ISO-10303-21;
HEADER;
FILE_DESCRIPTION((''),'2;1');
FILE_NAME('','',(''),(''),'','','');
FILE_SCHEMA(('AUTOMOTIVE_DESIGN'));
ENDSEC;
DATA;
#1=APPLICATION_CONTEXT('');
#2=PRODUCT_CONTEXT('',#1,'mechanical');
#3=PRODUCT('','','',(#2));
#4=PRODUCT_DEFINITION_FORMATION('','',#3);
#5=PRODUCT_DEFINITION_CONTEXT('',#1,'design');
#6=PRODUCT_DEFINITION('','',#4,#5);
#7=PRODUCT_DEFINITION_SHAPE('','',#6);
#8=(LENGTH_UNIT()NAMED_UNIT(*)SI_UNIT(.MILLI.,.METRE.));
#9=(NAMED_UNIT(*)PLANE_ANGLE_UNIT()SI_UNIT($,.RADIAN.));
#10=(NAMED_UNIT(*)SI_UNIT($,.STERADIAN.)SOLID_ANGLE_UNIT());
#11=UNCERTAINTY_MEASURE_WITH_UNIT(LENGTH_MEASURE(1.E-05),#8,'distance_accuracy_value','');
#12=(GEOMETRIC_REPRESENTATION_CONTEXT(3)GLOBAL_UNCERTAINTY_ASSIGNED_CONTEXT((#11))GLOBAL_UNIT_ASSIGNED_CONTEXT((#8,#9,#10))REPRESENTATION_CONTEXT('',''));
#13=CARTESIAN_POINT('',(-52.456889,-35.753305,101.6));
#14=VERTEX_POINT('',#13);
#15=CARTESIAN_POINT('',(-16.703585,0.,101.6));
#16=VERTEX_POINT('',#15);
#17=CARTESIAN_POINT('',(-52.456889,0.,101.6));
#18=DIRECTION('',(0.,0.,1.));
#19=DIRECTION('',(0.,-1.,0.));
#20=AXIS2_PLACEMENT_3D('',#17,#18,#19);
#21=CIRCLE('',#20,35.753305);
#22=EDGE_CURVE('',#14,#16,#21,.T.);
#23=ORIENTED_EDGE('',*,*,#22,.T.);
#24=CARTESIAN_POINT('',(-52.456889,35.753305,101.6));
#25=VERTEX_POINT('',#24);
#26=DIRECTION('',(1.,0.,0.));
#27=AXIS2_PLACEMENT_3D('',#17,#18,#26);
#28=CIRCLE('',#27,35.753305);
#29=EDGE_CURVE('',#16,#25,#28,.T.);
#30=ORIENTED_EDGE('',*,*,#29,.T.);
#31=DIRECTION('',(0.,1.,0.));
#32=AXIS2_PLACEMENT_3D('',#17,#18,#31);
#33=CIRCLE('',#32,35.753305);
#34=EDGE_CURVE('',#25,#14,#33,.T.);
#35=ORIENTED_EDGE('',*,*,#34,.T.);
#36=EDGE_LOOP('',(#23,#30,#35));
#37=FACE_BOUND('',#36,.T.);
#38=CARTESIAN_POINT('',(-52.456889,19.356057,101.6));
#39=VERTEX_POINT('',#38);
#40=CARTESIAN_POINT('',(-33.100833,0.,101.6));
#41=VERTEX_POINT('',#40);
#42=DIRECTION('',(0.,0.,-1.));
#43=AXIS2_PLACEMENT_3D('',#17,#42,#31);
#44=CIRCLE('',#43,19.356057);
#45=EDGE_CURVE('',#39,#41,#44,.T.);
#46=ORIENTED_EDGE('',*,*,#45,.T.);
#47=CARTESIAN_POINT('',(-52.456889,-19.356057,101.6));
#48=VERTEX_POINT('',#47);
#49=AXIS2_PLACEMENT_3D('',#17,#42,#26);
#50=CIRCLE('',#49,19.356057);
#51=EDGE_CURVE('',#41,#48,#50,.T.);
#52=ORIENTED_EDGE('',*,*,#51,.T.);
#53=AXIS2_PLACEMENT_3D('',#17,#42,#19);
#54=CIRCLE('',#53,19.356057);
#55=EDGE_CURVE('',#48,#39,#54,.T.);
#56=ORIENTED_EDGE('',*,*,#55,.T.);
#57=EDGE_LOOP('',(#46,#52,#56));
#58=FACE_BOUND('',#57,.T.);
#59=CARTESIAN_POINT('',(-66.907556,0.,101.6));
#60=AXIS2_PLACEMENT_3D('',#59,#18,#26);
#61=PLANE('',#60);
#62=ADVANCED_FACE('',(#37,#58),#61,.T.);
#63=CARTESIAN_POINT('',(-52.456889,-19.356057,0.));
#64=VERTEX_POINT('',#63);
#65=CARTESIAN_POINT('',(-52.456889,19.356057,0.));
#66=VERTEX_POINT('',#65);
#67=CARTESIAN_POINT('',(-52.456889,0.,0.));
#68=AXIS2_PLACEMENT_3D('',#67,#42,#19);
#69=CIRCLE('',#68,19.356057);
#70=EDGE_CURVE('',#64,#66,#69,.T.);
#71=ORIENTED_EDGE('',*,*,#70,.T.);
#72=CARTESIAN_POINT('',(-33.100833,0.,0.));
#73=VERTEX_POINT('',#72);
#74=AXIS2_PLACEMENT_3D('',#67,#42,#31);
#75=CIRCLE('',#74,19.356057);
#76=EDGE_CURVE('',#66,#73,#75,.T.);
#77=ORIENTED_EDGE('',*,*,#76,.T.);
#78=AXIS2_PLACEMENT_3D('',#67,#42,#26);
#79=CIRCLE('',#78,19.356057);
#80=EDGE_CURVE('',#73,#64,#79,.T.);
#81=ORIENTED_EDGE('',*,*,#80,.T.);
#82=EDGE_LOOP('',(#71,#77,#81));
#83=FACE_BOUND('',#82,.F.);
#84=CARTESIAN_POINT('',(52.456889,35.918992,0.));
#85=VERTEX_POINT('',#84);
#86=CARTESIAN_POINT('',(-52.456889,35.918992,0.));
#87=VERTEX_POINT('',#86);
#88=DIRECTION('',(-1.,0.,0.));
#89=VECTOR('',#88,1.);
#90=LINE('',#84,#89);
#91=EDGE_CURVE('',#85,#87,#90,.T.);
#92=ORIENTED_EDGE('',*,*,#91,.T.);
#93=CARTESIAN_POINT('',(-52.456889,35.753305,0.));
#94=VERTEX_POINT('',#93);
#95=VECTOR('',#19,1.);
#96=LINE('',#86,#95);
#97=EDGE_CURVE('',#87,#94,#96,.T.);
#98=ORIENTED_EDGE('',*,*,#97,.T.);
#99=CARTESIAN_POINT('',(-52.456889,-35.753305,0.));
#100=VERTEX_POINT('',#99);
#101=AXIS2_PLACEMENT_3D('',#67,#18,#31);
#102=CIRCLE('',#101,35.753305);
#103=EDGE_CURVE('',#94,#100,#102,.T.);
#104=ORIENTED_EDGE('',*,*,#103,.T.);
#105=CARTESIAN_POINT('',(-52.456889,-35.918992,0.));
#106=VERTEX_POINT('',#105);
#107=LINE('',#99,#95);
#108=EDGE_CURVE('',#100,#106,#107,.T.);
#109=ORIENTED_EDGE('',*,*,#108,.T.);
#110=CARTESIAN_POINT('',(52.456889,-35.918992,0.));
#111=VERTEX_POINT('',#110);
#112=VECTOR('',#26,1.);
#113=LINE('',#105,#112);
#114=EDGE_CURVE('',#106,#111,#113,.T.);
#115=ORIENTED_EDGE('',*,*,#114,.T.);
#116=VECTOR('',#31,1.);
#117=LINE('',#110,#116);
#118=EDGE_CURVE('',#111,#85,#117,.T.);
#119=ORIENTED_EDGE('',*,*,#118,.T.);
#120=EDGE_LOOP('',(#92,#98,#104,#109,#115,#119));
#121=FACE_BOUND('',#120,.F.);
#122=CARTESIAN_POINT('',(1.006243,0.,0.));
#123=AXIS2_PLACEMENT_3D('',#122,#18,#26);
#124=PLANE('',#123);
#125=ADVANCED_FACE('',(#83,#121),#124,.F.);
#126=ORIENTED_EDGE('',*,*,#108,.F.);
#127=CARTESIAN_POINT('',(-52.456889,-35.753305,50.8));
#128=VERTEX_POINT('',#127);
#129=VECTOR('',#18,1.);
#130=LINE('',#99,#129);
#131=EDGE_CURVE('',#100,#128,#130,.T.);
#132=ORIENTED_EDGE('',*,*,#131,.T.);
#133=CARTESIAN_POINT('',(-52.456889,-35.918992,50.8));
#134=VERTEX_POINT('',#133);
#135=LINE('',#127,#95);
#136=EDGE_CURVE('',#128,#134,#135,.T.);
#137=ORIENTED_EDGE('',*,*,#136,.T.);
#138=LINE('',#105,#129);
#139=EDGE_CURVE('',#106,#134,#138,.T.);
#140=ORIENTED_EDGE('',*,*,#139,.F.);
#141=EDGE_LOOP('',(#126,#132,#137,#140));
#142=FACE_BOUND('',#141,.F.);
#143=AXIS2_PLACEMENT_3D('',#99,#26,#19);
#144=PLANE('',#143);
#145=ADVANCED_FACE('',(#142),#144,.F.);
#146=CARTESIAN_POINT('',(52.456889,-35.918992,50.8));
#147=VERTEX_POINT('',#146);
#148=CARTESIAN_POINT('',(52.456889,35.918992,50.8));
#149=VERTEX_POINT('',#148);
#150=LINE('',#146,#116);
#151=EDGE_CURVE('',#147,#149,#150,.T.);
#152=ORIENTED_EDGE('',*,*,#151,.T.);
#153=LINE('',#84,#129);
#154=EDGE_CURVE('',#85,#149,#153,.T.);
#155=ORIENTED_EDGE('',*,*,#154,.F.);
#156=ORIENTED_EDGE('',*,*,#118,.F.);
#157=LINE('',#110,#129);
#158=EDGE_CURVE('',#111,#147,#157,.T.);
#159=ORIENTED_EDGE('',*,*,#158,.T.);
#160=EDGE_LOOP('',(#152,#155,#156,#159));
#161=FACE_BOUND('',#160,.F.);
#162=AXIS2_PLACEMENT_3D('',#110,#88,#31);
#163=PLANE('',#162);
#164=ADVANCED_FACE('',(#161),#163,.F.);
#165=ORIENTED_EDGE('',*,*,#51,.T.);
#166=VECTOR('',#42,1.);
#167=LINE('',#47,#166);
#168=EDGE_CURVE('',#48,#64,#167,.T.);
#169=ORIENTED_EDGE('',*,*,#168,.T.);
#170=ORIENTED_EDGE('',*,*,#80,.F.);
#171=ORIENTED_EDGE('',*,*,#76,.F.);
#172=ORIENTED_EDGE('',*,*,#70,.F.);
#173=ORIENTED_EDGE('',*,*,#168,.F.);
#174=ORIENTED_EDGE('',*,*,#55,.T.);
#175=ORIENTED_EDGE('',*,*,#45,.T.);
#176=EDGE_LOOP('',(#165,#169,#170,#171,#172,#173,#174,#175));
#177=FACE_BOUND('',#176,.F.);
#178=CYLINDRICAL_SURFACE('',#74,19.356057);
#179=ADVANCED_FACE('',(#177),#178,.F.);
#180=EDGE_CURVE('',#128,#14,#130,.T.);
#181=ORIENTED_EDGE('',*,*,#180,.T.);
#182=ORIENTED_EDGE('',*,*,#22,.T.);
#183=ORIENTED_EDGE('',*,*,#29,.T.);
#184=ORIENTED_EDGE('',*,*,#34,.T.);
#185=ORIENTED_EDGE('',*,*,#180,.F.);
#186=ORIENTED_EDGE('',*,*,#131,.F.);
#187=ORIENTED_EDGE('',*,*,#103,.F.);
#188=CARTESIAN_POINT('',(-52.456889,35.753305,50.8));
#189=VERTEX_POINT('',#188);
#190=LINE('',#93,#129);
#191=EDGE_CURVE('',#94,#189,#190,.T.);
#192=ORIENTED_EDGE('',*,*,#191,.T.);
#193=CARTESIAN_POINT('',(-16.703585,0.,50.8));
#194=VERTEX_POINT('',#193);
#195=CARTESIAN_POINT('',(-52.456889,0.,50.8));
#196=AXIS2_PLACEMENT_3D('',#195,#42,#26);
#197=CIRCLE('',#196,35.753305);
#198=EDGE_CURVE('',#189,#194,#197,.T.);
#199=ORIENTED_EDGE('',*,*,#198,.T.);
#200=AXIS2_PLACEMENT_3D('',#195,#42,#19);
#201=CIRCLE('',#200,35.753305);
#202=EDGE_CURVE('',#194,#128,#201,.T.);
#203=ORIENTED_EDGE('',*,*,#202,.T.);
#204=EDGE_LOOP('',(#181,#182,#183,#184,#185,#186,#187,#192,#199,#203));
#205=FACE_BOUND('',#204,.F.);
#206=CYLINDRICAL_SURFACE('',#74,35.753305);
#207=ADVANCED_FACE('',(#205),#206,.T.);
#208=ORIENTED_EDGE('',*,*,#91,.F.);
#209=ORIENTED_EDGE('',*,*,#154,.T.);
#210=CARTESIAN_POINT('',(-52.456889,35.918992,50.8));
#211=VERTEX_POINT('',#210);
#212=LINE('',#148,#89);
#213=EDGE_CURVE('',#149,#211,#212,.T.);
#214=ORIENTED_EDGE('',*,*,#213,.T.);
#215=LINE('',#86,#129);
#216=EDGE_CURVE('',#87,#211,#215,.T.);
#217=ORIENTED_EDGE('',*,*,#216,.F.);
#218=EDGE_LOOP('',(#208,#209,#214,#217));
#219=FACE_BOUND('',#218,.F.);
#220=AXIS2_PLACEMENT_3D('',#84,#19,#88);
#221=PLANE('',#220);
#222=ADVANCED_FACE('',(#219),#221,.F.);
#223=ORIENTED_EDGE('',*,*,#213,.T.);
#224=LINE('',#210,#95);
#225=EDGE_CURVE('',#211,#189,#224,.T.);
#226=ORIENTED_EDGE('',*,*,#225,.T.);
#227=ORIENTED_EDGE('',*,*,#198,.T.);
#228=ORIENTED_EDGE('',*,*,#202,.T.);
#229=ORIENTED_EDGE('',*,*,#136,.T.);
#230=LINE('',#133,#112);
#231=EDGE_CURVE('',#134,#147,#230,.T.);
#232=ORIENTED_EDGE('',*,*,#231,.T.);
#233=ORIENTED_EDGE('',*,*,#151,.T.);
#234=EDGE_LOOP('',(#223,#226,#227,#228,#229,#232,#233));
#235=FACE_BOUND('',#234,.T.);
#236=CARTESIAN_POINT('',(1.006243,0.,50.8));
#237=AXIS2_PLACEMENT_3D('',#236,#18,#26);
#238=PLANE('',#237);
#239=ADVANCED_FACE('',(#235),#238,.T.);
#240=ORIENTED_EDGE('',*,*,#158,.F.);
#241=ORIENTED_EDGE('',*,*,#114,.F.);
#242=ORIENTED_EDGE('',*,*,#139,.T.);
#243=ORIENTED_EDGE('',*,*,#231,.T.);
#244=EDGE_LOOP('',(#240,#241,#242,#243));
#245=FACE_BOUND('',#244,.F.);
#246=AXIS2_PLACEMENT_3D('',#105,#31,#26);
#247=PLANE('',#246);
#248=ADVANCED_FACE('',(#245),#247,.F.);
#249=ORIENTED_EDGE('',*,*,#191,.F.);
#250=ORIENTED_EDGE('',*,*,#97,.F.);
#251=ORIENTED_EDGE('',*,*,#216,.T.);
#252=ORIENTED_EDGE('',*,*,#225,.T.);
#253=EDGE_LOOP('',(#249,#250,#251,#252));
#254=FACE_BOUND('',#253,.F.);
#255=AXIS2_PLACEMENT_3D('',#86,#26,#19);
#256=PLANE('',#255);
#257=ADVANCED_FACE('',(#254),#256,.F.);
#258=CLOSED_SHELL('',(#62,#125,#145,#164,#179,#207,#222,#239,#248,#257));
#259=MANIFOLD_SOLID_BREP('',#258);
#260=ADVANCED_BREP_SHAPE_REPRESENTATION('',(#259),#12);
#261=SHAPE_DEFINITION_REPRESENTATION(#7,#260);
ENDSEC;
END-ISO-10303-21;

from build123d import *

# Parameters (mm, degrees)
F1_DEPTH = 50.8
F2_DEPTH = 101.6


with BuildPart() as f1:
    # F0 (on Top) → F1 (new body)
    with BuildSketch(Plane.XY):
        with BuildLine():
            Line((-52.4568893015, -35.9189924534), (52.4568893015, -35.9189924534))
            Line((52.4568893015, -35.9189924534), (52.4568893015, 35.9189924534))
            Line((52.4568893015, 35.9189924534), (-52.4568893015, 35.9189924534))
            Line((-52.4568893015, 35.9189924534), (-52.4568893015, 35.7533046328))
            ThreePointArc((-52.4568893015, 35.7533046328), (-27.1754851459, 25.2814041557), (-16.7035846688, 0))
            ThreePointArc((-16.7035846688, 0), (-27.1754851459, -25.2814041557), (-52.4568893015, -35.7533046328))
            Line((-52.4568893015, -35.7533046328), (-52.4568893015, -35.9189924534))
        make_face()
        with BuildLine():
            ThreePointArc((-52.4568893015, 35.7533046328), (-88.2101939343, 0), (-52.4568893015, -35.7533046328))
            Line((-52.4568893015, -35.7533046328), (-52.4568893015, -19.3560567568))
            ThreePointArc((-52.4568893015, -19.3560567568), (-71.8129460583, 0), (-52.4568893015, 19.3560567568))
            Line((-52.4568893015, 19.3560567568), (-52.4568893015, 35.7533046328))
        make_face()
        with BuildLine():
            Line((-52.4568893015, -19.3560567568), (-52.4568893015, -35.7533046328))
            ThreePointArc((-52.4568893015, -35.7533046328), (-27.1754851459, -25.2814041557), (-16.7035846688, 0))
            ThreePointArc((-16.7035846688, 0), (-27.1754851459, 25.2814041557), (-52.4568893015, 35.7533046328))
            Line((-52.4568893015, 35.7533046328), (-52.4568893015, 19.3560567568))
            ThreePointArc((-52.4568893015, 19.3560567568), (-38.7700903118, 13.6867989898), (-33.1008325448, 0))
            ThreePointArc((-33.1008325448, 0), (-38.7700903118, -13.6867989898), (-52.4568893015, -19.3560567568))
        make_face()
    extrude(amount=F1_DEPTH)

    # F0 (on Top) → F2 (join)
    with BuildSketch(Plane.XY):
        with BuildLine():
            ThreePointArc((-52.4568893015, 35.7533046328), (-88.2101939343, 0), (-52.4568893015, -35.7533046328))
            Line((-52.4568893015, -35.7533046328), (-52.4568893015, -19.3560567568))
            ThreePointArc((-52.4568893015, -19.3560567568), (-71.8129460583, 0), (-52.4568893015, 19.3560567568))
            Line((-52.4568893015, 19.3560567568), (-52.4568893015, 35.7533046328))
        make_face()
        with BuildLine():
            Line((-52.4568893015, -19.3560567568), (-52.4568893015, -35.7533046328))
            ThreePointArc((-52.4568893015, -35.7533046328), (-27.1754851459, -25.2814041557), (-16.7035846688, 0))
            ThreePointArc((-16.7035846688, 0), (-27.1754851459, 25.2814041557), (-52.4568893015, 35.7533046328))
            Line((-52.4568893015, 35.7533046328), (-52.4568893015, 19.3560567568))
            ThreePointArc((-52.4568893015, 19.3560567568), (-38.7700903118, 13.6867989898), (-33.1008325448, 0))
            ThreePointArc((-33.1008325448, 0), (-38.7700903118, -13.6867989898), (-52.4568893015, -19.3560567568))
        make_face()
    extrude(amount=F2_DEPTH)


solid = f1.part
